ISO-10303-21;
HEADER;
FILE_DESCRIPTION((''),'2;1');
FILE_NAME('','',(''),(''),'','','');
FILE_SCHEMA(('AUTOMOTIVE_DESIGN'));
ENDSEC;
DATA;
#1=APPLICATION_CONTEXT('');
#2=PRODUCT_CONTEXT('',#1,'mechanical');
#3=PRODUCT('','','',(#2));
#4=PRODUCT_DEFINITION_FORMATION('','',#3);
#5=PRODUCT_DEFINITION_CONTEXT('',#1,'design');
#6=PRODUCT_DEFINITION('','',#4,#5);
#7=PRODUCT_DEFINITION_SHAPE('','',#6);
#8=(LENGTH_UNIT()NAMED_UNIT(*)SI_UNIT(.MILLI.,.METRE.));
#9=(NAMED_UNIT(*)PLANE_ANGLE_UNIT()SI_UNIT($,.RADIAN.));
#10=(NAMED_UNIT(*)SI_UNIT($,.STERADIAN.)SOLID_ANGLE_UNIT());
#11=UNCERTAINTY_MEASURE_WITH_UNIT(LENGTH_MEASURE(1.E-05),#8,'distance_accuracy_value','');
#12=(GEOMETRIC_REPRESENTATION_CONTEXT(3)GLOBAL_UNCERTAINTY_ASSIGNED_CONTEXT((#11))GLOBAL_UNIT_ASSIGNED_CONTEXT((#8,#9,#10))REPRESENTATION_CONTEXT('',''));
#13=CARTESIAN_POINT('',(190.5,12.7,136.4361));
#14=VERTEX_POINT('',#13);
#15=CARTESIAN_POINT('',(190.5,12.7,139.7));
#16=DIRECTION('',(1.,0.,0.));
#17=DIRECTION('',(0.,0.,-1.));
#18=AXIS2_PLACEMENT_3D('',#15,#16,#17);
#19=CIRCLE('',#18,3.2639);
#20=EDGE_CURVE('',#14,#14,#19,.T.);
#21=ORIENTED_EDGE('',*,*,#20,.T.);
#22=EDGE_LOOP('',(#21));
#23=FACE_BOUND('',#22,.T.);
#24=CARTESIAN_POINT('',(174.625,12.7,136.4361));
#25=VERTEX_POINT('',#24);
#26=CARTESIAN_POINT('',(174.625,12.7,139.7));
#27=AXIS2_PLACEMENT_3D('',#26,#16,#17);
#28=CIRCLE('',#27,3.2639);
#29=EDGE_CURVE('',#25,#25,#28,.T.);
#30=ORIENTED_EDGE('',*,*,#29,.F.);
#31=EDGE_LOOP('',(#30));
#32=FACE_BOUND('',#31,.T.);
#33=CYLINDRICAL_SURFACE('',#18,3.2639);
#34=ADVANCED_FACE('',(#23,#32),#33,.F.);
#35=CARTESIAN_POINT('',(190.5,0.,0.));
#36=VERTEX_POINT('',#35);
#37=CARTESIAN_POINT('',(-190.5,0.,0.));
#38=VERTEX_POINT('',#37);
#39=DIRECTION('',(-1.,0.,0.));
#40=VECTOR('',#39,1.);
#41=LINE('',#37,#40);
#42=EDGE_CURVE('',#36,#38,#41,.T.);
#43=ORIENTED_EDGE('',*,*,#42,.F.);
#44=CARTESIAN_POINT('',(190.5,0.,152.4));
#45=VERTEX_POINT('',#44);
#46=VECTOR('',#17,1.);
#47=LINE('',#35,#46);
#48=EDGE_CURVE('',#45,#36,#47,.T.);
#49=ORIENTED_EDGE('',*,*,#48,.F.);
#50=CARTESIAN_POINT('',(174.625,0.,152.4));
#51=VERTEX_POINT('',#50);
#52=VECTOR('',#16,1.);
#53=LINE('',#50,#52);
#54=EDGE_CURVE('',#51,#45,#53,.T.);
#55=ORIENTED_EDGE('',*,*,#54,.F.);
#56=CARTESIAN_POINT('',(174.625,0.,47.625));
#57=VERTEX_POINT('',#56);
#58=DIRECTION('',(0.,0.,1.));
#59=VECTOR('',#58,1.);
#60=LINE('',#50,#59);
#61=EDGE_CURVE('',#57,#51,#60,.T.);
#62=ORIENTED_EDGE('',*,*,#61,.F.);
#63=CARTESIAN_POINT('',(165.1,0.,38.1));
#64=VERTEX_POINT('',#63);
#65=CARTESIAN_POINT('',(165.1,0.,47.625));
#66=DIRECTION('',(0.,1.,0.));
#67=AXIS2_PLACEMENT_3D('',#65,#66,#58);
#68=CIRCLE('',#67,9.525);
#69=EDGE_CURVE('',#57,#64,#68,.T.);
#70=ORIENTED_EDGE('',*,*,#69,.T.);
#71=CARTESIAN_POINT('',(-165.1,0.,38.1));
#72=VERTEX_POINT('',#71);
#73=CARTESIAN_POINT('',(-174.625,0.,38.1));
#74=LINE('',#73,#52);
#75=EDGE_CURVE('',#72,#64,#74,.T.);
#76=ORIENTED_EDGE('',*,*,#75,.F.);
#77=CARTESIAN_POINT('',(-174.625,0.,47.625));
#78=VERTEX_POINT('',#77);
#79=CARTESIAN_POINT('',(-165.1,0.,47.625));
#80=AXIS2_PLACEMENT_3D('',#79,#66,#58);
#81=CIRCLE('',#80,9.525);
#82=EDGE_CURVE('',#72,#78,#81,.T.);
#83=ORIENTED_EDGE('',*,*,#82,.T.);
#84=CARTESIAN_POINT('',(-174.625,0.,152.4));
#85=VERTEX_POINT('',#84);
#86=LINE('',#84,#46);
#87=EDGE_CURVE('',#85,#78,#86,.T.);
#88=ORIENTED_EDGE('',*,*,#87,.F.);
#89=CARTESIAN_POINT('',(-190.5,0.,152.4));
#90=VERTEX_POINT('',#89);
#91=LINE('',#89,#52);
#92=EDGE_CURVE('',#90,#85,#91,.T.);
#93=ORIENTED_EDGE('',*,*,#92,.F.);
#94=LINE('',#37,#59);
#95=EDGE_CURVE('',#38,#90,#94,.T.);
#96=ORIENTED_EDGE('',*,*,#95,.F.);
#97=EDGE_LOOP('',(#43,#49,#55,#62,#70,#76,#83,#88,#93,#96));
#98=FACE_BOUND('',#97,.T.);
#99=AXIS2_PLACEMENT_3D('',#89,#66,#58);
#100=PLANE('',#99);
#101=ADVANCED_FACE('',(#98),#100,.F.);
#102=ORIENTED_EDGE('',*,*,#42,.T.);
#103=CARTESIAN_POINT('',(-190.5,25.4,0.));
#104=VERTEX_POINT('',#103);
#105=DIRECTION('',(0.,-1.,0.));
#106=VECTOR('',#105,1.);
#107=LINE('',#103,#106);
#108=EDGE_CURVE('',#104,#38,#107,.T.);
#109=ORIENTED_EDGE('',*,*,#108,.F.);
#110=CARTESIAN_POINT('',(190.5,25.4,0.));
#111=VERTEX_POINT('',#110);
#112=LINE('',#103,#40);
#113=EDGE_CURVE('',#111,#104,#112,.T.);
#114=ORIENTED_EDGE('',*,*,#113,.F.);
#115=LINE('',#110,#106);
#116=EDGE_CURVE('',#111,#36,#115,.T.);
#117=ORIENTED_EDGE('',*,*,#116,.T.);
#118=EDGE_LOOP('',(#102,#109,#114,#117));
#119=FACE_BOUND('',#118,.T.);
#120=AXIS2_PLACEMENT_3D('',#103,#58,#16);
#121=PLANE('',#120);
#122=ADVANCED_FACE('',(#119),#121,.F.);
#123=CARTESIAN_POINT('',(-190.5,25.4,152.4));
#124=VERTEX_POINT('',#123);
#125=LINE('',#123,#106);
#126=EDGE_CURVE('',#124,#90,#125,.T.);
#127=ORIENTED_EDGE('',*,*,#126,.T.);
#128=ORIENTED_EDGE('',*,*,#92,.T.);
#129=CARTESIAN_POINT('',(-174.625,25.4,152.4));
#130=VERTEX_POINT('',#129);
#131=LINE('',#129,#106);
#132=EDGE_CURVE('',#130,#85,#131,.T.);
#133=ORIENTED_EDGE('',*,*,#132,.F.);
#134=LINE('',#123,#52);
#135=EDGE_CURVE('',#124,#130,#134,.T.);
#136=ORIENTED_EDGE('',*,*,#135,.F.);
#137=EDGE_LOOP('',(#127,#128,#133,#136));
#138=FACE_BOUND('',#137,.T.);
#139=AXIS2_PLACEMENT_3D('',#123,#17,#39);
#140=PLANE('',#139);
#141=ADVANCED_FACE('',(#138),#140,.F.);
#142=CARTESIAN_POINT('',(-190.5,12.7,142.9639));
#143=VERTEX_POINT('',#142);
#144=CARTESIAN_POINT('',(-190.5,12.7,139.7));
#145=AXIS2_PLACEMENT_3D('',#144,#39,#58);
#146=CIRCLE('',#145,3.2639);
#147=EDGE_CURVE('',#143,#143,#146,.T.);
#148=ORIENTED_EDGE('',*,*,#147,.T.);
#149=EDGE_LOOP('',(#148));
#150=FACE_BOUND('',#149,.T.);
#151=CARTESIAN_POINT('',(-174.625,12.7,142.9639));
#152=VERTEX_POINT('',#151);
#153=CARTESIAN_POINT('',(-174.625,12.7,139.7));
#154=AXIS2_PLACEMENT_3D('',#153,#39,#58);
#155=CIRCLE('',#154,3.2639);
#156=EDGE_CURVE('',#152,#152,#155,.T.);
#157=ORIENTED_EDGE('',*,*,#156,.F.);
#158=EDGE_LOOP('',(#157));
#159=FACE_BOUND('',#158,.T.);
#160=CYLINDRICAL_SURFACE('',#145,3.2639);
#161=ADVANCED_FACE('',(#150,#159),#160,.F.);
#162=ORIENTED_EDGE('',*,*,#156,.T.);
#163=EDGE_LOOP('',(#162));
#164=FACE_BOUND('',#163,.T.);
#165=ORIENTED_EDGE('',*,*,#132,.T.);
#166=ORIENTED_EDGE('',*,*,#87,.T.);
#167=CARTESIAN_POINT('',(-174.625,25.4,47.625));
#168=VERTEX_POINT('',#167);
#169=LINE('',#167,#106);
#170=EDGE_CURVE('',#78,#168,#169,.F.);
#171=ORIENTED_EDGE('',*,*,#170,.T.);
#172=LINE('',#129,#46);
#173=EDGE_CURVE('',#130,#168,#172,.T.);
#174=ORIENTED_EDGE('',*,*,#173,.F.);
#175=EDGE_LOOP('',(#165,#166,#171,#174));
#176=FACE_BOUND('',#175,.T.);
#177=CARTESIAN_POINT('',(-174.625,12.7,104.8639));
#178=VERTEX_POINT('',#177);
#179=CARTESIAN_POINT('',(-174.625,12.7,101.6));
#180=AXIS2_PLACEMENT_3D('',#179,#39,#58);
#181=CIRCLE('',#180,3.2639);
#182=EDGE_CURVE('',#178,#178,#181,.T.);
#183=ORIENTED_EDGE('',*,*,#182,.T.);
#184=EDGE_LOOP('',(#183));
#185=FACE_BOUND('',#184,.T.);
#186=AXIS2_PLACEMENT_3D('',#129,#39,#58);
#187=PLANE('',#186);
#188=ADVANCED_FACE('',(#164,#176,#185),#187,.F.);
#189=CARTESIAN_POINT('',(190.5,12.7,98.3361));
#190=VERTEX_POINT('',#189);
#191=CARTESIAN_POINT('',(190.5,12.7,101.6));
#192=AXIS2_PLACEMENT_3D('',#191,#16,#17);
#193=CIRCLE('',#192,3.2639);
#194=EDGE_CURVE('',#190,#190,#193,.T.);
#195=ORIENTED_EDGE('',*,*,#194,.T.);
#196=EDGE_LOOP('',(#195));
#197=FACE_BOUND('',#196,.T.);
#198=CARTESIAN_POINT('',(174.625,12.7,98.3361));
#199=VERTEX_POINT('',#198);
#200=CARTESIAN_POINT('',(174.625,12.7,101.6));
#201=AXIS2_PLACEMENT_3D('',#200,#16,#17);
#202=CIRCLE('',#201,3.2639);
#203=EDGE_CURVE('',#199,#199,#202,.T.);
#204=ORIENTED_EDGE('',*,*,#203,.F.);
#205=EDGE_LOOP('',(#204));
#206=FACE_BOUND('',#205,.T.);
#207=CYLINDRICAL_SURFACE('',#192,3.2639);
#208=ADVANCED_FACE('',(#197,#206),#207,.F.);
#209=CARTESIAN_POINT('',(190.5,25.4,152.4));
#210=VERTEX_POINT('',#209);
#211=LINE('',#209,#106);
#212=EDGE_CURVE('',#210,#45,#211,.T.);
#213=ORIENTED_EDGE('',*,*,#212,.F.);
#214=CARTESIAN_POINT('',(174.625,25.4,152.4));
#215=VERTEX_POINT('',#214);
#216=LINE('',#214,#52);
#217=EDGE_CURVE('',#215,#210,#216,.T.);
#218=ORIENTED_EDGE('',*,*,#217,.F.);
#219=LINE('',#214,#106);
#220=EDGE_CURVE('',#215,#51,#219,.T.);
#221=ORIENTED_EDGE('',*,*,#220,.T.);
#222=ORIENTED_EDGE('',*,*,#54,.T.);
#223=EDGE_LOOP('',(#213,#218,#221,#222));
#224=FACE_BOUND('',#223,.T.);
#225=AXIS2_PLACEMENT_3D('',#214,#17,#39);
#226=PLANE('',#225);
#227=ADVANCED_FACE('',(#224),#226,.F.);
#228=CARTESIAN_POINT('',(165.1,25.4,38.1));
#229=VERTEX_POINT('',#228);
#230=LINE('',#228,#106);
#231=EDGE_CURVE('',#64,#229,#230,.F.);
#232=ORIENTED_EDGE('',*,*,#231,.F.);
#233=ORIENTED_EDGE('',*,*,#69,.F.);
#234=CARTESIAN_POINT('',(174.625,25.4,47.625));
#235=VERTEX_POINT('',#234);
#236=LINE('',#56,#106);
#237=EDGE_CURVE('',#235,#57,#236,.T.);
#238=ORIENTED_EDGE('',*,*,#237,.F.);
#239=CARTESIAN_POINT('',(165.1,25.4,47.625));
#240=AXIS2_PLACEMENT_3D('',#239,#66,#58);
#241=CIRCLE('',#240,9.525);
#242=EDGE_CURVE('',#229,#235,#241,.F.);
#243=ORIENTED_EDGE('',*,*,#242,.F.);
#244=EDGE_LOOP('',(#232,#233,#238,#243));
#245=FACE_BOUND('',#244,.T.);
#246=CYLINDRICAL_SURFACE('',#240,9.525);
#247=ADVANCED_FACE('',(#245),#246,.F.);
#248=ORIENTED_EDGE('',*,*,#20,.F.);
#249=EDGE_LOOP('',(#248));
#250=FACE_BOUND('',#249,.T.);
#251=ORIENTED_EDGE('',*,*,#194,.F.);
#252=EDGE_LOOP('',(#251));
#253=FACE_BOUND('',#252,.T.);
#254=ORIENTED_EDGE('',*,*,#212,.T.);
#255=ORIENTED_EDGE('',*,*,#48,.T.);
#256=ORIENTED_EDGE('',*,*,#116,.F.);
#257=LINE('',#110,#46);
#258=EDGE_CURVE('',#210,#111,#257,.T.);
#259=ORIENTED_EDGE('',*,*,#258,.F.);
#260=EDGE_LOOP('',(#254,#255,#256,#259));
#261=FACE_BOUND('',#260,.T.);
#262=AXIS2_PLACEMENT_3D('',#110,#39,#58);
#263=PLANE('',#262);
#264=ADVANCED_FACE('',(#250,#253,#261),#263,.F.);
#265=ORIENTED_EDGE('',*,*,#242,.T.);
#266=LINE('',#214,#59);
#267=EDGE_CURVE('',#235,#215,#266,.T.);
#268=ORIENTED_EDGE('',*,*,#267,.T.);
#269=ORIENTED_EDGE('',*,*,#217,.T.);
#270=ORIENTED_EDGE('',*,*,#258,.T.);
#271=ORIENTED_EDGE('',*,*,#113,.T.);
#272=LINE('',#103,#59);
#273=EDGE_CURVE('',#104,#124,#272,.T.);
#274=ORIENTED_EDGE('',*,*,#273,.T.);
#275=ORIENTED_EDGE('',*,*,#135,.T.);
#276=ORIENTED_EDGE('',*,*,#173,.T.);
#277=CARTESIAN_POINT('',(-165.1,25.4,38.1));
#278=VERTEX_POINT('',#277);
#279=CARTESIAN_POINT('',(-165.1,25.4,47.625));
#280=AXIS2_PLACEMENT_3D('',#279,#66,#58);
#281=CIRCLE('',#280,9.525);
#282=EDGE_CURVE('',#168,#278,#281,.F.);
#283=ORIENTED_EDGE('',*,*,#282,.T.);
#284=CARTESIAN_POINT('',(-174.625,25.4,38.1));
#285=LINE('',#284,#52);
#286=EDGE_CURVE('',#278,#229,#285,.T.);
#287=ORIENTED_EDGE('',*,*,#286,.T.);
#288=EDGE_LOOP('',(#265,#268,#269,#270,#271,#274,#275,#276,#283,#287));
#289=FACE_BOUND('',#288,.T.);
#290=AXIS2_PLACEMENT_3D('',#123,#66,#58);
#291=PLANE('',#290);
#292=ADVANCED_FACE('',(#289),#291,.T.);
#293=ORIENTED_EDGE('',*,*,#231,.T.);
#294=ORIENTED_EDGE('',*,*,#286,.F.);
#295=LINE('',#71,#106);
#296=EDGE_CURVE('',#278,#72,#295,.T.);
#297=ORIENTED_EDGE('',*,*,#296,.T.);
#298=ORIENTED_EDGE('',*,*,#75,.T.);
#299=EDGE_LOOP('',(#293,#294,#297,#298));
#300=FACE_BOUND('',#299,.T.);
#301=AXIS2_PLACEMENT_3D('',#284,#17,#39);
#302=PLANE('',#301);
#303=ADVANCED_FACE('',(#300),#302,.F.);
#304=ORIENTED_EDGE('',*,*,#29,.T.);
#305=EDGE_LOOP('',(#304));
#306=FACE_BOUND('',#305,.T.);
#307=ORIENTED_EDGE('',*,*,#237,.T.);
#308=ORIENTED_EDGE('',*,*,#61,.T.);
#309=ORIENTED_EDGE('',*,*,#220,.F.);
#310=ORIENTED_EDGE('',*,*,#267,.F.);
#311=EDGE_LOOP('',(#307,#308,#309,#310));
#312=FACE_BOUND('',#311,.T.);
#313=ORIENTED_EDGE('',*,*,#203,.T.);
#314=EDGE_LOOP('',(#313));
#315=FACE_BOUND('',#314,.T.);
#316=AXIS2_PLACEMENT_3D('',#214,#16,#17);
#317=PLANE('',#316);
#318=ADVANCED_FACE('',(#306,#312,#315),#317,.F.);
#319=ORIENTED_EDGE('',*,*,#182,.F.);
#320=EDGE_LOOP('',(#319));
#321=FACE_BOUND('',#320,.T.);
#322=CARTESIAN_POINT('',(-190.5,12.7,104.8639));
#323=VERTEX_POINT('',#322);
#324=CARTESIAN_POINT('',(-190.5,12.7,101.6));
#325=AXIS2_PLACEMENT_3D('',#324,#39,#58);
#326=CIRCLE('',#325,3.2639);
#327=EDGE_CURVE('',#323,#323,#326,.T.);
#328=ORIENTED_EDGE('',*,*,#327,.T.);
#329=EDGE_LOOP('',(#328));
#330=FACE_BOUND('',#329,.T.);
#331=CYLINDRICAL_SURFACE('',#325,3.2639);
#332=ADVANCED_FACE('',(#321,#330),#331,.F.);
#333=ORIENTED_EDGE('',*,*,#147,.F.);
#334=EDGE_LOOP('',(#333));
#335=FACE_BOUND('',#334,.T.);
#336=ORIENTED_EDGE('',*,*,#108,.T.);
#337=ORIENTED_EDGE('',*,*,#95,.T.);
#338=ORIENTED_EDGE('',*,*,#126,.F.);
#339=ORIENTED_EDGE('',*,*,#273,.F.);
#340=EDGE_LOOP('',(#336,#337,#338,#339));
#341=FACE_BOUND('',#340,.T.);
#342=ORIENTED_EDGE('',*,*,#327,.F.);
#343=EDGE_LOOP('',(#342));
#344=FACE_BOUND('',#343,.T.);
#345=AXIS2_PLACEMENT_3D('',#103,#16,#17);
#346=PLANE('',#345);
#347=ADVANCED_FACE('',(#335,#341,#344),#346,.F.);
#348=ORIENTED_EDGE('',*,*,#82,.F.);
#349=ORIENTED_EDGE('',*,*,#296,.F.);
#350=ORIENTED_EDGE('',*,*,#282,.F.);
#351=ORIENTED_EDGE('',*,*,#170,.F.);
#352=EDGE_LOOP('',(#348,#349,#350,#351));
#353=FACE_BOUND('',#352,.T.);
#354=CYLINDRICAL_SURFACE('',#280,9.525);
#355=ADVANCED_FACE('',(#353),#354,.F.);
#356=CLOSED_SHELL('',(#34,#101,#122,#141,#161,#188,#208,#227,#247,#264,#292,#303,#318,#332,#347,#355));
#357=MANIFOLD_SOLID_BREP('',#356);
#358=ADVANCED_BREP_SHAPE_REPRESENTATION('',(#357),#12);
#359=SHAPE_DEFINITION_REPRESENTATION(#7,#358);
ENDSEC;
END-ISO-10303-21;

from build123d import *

# Parameters (mm, degrees)
EXTRUDE1_DEPTH               = 25.4
FILLET1_R                    = 9.525
F_5_16_18_TAPPED_HOLE1_D     = 6.5278
F_5_16_18_TAPPED_HOLE1_DEPTH = 15.875
F_5_16_18_TAPPED_HOLE2_D     = 6.5278


with BuildPart() as part:
    # Sketch1 → Extrude1 (new body)
    with BuildSketch(Plane(origin=(0, 0, 0), x_dir=(1, 0, 0), z_dir=(0, 1, 0))):
        Polygon((174.625, -152.4), (190.5, -152.4), (190.5, 0), (-190.5, 0), (-190.5, -152.4), (-174.625, -152.4), (-174.625, -38.1), (174.625, -38.1), align=None)
    extrude(amount=EXTRUDE1_DEPTH)

    # Fillet1
    fillet1_edges = [part.edges().sort_by_distance(p)[0] for p in [
        (174.625, 12.7, 38.1),
        (-174.625, 12.7, 38.1),
    ]]
    fillet(fillet1_edges, radius=FILLET1_R)

    # 5/16-18 Tapped Hole1
    with Locations(Plane(origin=(190.5, 0, 0), x_dir=(0, 0, -1), z_dir=(1, 0, 0))):
        with Locations((-139.7, 12.7), (-101.6, 12.7)):
            Hole(F_5_16_18_TAPPED_HOLE1_D / 2, depth=F_5_16_18_TAPPED_HOLE1_DEPTH)

    # 5/16-18 Tapped Hole2 (through all)
    with Locations(Plane.ZY.offset(190.5)):
        with Locations((101.6, 12.7), (139.7, 12.7)):
            Hole(F_5_16_18_TAPPED_HOLE2_D / 2)


solid = part.part
